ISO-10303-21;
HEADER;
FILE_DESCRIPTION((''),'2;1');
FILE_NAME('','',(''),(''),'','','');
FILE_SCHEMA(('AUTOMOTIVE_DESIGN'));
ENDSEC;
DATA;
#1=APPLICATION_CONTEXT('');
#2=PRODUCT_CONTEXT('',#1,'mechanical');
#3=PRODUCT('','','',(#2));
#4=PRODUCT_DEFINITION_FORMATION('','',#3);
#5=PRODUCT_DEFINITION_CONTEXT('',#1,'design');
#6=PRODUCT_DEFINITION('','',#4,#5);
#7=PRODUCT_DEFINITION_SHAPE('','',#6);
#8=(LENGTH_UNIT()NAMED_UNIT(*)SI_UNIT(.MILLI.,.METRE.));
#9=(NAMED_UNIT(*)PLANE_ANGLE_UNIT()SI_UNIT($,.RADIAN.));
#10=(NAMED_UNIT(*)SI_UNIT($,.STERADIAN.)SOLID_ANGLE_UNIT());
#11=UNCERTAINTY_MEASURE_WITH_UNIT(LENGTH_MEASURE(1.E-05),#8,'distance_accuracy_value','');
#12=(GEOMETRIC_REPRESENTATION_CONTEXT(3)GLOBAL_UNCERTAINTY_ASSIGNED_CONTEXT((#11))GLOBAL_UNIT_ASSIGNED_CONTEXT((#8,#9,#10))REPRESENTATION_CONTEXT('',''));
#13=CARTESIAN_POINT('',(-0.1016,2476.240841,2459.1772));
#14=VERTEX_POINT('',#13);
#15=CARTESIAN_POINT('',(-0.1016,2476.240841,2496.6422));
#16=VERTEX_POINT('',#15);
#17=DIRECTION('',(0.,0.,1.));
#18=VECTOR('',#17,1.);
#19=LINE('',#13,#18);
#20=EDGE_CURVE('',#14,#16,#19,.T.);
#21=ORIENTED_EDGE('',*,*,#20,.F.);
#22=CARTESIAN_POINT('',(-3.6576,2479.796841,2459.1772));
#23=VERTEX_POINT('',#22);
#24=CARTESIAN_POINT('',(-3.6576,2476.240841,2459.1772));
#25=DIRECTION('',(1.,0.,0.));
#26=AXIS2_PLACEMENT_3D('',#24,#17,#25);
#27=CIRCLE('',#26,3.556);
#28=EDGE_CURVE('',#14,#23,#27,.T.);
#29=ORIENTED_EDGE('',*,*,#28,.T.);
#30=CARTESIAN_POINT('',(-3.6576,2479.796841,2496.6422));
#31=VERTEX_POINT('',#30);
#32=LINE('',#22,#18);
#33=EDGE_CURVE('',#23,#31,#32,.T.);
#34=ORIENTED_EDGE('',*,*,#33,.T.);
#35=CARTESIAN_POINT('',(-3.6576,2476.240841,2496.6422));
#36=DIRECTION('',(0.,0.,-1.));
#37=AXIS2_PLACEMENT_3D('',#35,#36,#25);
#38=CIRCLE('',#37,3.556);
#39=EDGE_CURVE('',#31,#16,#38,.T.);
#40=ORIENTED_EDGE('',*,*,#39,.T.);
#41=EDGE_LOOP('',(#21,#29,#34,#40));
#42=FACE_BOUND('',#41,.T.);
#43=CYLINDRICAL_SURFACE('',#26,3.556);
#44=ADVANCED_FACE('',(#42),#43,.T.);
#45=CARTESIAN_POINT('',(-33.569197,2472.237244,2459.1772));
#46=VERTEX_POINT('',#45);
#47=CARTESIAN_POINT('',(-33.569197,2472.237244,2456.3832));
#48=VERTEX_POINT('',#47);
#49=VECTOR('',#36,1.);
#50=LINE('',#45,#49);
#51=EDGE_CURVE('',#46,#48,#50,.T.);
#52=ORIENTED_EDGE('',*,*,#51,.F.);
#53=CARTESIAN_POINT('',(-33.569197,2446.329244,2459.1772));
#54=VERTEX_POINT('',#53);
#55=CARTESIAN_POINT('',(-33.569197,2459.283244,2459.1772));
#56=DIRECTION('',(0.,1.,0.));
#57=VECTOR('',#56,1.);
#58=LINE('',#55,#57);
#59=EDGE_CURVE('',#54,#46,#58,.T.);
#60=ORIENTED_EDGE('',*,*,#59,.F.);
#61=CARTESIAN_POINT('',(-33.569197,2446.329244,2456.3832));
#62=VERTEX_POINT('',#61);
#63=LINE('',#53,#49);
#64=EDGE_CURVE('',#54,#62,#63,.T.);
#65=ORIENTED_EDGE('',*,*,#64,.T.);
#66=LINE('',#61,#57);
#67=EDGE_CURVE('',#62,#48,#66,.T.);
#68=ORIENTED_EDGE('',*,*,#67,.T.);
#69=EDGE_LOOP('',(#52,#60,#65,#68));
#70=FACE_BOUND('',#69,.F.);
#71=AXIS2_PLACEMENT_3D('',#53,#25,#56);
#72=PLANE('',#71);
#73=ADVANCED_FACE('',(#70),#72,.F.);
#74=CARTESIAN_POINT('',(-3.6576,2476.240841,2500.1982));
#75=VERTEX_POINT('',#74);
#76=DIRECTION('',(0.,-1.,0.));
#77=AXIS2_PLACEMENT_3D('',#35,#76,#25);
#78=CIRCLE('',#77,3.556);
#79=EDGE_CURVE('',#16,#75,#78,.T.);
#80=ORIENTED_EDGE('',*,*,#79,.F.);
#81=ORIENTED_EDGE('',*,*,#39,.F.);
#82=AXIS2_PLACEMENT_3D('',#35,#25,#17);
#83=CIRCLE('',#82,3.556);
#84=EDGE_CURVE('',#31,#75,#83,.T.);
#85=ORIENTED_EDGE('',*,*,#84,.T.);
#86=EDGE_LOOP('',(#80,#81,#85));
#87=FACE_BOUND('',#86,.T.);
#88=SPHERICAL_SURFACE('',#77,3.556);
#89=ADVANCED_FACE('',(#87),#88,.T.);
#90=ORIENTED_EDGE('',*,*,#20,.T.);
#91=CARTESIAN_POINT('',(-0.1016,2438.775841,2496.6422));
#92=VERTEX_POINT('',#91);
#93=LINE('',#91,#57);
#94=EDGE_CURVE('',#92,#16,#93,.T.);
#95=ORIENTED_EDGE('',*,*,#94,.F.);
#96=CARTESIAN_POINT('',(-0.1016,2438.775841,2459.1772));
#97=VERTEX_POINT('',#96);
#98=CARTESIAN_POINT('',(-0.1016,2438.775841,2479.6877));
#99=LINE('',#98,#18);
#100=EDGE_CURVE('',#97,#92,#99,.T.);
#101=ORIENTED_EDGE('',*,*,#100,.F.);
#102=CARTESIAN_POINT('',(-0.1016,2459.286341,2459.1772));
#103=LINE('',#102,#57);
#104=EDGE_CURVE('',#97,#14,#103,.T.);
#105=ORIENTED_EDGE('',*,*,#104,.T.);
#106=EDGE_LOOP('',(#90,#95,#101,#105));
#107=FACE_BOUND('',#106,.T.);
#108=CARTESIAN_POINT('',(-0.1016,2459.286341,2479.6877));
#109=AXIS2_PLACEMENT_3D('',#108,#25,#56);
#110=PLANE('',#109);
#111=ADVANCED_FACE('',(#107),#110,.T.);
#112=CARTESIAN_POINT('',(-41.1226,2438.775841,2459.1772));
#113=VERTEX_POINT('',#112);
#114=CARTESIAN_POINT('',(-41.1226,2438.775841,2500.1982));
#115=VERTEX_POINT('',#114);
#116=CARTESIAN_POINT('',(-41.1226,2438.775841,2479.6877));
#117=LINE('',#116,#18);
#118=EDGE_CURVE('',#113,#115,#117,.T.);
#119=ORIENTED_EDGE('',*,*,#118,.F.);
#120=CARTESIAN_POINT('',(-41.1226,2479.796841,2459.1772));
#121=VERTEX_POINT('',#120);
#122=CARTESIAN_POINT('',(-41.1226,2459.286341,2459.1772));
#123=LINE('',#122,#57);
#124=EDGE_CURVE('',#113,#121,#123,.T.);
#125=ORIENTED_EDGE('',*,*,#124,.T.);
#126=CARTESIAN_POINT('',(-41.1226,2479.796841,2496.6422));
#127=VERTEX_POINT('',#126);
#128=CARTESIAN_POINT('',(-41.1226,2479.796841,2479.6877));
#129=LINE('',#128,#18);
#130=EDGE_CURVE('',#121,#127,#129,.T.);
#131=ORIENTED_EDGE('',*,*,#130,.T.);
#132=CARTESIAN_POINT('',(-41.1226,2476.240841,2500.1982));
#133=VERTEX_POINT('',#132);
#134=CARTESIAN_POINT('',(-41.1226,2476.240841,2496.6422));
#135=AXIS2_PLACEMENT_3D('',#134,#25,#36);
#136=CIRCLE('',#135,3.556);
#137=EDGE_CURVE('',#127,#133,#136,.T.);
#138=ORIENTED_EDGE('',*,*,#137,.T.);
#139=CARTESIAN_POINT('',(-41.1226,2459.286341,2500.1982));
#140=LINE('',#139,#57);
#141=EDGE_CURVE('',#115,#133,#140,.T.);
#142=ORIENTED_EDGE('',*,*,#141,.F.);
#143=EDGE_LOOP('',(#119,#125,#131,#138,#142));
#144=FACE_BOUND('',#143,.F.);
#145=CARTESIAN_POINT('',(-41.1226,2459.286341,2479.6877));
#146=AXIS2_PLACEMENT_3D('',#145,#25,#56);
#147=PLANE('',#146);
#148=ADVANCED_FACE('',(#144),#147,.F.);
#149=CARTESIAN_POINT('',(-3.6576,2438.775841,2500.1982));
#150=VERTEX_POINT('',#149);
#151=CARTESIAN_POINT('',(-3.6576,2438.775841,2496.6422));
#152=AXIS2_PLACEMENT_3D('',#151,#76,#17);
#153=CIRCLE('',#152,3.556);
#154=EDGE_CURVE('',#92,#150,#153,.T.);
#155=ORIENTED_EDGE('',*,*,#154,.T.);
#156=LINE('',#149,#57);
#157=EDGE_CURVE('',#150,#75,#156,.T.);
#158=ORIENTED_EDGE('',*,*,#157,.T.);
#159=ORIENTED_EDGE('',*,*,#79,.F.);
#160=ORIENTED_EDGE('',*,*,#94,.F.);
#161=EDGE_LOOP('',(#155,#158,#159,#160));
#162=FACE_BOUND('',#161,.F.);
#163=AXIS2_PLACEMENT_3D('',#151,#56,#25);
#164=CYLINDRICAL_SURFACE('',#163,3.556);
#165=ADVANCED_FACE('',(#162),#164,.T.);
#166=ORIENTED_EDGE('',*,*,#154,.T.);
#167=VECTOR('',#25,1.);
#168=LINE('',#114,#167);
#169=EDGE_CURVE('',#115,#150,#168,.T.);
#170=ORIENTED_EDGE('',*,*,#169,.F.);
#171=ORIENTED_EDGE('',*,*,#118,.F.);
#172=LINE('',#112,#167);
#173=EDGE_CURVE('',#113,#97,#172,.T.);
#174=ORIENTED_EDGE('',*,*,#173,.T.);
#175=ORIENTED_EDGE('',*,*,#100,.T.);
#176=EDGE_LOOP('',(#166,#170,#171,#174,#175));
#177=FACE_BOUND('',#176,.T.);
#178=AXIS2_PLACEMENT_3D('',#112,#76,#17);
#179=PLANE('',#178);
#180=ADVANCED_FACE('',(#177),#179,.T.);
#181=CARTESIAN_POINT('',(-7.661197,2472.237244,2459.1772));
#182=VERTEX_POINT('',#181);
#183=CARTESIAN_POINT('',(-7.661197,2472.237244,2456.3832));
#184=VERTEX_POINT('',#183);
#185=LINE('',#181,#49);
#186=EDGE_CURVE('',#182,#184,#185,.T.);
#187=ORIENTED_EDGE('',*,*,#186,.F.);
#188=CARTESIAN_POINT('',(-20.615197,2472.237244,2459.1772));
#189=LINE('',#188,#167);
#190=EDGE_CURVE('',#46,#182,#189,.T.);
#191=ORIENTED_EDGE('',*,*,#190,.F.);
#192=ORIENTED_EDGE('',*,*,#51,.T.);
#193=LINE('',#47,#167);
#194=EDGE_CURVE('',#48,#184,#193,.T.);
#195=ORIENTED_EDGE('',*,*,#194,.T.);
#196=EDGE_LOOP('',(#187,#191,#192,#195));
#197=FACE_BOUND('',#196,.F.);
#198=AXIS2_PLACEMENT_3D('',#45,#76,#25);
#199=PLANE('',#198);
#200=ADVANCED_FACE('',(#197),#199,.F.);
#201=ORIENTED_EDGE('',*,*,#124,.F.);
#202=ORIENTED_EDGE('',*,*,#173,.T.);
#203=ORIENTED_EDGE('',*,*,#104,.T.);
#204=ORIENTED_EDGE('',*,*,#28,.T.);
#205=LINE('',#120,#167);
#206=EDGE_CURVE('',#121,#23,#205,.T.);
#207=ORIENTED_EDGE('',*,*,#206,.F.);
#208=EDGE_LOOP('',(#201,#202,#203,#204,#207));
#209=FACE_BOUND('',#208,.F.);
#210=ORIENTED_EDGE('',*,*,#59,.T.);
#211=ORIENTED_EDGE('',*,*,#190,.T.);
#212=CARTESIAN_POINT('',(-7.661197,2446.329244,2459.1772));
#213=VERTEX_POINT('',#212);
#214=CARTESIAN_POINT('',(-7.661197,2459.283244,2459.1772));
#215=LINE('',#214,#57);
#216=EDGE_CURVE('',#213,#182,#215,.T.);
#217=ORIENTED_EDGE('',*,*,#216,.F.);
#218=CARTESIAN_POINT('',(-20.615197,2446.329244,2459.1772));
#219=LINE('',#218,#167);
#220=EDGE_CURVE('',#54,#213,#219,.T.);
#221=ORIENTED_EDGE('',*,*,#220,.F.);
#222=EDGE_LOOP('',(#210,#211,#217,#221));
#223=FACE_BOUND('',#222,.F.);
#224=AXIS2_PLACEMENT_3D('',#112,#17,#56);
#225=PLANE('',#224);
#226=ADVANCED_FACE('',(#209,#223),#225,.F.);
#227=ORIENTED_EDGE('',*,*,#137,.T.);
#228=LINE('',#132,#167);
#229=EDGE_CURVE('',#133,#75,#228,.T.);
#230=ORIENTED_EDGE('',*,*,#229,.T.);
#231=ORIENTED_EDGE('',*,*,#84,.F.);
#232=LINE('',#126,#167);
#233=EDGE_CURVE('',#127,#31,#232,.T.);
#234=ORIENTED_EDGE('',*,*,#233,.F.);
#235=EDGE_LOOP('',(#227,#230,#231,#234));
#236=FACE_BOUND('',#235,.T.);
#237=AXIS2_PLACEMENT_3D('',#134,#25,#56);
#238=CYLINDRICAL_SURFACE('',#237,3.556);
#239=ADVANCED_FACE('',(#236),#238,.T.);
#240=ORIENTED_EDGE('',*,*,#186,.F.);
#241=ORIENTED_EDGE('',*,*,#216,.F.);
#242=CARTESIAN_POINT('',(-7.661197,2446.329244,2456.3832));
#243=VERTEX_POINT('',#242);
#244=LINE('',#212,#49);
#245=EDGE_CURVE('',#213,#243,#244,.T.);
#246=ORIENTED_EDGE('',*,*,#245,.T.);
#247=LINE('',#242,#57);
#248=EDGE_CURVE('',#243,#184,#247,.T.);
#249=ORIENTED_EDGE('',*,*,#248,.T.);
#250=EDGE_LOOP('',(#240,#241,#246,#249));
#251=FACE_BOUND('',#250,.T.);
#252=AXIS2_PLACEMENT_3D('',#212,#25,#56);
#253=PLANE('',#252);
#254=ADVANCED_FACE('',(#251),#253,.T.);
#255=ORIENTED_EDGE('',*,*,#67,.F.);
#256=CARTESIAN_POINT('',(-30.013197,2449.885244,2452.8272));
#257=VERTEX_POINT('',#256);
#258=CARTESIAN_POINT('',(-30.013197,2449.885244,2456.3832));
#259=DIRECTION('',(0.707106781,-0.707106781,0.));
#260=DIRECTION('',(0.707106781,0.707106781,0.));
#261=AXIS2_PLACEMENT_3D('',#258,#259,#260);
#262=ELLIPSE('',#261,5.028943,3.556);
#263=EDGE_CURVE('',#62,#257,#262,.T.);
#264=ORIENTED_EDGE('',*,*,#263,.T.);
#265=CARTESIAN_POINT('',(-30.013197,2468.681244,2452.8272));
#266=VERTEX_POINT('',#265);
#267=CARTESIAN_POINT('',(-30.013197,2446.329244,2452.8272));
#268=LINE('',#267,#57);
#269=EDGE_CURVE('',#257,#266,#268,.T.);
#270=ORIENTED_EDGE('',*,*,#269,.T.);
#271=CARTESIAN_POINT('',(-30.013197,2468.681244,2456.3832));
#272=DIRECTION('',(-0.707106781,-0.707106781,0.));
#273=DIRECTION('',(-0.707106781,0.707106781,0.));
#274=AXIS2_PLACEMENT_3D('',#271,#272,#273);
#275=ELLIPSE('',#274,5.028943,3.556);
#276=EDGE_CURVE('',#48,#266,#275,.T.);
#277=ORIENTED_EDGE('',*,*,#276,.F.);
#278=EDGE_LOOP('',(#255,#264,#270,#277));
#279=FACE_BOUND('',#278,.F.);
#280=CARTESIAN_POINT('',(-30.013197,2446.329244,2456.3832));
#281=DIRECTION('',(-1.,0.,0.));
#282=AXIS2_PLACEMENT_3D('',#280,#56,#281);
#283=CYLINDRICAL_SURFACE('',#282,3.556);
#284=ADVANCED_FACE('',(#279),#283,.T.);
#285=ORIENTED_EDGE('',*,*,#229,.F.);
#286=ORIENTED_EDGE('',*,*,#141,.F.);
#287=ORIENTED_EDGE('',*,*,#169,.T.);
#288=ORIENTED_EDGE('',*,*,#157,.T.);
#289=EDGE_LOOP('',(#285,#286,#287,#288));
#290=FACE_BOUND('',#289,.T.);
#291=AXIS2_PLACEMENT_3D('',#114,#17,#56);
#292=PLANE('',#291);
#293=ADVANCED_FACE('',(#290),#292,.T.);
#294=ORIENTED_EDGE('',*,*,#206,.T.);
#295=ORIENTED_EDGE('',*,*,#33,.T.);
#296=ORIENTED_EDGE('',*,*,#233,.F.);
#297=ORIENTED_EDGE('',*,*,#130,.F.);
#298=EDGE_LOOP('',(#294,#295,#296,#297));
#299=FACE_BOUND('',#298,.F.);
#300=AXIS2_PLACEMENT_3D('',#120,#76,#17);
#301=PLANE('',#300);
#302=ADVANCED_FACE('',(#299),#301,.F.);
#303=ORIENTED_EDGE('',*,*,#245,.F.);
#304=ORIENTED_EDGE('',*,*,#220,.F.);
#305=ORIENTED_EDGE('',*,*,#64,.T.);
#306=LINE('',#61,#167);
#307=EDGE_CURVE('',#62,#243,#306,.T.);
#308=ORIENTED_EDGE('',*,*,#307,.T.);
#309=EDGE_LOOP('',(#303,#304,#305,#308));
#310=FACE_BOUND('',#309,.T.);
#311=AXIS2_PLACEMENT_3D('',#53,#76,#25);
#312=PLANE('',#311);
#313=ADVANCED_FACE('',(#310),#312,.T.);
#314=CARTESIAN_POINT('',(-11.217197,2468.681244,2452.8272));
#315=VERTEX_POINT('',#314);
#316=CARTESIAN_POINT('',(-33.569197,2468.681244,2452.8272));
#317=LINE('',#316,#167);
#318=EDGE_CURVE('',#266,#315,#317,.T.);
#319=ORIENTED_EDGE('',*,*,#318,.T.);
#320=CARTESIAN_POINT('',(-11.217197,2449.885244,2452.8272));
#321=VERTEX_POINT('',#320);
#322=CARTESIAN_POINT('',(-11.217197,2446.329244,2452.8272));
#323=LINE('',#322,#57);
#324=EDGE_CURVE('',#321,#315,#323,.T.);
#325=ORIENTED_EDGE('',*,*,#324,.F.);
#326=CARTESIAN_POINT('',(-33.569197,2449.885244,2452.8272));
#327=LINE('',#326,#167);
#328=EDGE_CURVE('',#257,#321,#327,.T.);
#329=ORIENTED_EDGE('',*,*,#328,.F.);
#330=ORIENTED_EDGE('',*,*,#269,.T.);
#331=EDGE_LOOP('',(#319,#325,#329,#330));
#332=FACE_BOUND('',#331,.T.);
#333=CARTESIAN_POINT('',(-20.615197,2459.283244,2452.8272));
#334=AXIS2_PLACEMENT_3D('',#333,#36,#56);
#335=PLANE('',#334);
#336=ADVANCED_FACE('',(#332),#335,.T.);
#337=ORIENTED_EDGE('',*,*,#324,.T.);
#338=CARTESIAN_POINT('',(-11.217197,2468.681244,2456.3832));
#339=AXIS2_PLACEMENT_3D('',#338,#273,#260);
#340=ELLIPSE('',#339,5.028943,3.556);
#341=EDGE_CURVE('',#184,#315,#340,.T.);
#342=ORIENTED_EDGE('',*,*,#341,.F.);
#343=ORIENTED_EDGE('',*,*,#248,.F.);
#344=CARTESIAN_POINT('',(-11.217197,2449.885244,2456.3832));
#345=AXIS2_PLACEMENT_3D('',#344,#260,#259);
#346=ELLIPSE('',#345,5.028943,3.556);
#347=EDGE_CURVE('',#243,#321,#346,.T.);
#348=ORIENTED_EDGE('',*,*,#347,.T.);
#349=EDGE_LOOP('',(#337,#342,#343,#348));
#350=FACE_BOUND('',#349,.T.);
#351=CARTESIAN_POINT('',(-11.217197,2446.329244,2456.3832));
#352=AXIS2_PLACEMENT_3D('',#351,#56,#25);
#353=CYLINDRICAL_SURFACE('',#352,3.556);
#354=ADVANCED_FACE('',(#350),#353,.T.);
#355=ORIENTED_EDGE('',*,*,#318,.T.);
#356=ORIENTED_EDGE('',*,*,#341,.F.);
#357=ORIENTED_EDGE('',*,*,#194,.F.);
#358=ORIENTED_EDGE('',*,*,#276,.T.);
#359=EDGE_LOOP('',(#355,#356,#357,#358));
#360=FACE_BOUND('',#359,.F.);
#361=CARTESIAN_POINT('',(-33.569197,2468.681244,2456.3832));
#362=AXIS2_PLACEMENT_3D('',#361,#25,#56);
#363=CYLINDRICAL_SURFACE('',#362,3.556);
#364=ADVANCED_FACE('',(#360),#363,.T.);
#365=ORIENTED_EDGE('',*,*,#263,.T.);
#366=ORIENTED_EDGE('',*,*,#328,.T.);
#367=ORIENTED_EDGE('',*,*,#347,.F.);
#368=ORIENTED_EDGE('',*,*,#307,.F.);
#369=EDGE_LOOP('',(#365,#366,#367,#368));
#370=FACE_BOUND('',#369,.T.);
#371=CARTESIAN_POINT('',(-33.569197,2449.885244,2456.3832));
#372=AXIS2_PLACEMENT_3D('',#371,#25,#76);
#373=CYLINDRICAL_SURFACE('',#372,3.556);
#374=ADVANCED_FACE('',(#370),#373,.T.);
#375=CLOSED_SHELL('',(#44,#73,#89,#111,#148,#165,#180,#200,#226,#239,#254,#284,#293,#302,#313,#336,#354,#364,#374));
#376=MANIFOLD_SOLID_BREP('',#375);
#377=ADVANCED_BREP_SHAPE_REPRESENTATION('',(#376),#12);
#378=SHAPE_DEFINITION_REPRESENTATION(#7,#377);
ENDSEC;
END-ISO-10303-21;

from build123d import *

# Parameters (mm, degrees)
SKETCH066_W             = 41.021
SKETCH066_H             = 41.021
PAD055_DEPTH            = 41.021
SKETCH065_W             = 25.908
SKETCH065_H             = 25.908
PAD056_DEPTH            = 6.35
FILLET010_R             = 3.556
FILLET011_R             = 3.556
BODY044_PLACEMENT_ANGLE = 270


with BuildPart() as part:
    # Sketch066 → Pad055 (new body)
    with BuildSketch(Plane.XZ):
        with Locations((20.5105, 20.5105)):
            Rectangle(SKETCH066_W, SKETCH066_H)
    extrude(amount=PAD055_DEPTH)

    # Sketch065 (on Face3 of Pad055) → Pad056 (join)
    with BuildSketch(Plane(origin=(0, 0, 0), x_dir=(1, 0, 0), z_dir=(0, 0, -1))):
        with Locations((20.507403, 20.507403)):
            Rectangle(SKETCH065_W, SKETCH065_H)
    extrude(amount=PAD056_DEPTH)

    # Fillet010
    fillet010_edges = [part.edges().sort_by_distance(p)[0] for p in [
        (7.553403, -20.507403, -6.35),
        (20.507403, -33.461403, -6.35),
        (20.507403, -7.553403, -6.35),
        (33.461403, -20.507403, -6.35),
    ]]
    fillet(fillet010_edges, radius=FILLET010_R)

    # Fillet011
    fillet011_edges = [part.edges().sort_by_distance(p)[0] for p in [
        (20.5105, -41.021, 41.021),
        (41.021, -41.021, 20.5105),
        (41.021, -20.5105, 41.021),
    ]]
    fillet(fillet011_edges, radius=FILLET011_R)


with BuildPart() as part_1:
    # Body044 placement: moved
    add(part.part.moved(Location((-41.1226, 2438.775841, 2459.1772))).rotate(Axis((-41.1226, 2438.775841, 2459.1772), (0, 0, -1)), BODY044_PLACEMENT_ANGLE))


solid = part_1.part
